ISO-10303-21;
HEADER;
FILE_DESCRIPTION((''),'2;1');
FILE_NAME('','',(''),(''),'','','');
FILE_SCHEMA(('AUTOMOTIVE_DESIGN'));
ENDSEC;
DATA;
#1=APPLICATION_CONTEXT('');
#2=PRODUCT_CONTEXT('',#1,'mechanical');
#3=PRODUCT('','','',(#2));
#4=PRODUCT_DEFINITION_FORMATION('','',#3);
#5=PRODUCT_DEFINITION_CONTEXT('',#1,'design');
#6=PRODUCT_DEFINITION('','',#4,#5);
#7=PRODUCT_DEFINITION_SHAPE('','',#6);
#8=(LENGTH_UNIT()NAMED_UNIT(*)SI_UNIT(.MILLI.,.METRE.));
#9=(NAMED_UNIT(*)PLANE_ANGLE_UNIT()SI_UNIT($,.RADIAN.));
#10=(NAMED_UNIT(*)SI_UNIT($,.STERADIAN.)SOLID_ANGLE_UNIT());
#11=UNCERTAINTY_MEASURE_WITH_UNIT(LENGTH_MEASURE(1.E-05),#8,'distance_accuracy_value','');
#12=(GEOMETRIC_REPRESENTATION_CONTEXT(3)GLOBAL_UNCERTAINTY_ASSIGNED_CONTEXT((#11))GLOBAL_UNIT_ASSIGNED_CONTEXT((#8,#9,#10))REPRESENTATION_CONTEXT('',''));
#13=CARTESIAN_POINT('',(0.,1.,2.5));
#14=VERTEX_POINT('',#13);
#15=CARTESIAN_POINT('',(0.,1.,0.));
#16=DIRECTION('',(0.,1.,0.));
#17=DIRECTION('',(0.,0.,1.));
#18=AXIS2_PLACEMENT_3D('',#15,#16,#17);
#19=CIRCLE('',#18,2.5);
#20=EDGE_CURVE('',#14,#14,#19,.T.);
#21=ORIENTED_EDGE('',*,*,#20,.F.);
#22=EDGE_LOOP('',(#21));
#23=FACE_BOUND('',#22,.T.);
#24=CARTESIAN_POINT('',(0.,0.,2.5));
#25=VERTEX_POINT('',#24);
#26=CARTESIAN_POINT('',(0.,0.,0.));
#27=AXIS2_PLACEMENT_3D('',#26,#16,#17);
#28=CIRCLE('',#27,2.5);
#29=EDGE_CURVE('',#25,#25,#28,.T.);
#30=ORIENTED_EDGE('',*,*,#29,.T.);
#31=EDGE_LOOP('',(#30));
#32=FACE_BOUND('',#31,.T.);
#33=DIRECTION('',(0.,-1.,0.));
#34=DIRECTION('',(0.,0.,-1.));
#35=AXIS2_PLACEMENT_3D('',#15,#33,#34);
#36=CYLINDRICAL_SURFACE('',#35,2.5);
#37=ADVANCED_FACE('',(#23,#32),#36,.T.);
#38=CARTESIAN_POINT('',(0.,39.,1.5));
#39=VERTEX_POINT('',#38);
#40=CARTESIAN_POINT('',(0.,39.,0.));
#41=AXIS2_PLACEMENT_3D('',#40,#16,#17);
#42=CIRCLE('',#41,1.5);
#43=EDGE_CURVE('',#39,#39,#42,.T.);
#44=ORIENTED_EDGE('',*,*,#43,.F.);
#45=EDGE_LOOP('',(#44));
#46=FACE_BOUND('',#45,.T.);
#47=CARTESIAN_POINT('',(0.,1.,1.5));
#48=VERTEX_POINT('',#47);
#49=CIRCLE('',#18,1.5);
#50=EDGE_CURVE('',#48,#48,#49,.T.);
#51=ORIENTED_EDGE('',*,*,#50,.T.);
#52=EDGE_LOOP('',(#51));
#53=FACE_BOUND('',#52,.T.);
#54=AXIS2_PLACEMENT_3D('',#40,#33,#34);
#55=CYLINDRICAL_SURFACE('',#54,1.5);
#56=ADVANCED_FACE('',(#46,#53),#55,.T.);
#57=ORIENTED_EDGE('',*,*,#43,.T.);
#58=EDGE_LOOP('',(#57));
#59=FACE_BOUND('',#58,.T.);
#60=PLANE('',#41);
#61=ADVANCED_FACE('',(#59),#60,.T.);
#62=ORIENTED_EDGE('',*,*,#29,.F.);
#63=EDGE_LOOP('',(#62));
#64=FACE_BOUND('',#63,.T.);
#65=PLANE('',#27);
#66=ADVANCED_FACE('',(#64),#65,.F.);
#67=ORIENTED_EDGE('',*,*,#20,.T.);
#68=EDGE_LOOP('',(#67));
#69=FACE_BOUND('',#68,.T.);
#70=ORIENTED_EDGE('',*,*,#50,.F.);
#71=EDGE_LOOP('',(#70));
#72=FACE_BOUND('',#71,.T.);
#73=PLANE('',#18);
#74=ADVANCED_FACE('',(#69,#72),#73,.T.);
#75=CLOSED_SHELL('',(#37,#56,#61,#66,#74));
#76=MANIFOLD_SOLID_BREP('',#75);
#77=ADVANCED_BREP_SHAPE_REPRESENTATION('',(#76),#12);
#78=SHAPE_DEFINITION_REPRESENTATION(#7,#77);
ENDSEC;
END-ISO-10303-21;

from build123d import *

# Parameters (mm, degrees)
SKETCH1_R           = 2.5
BOSS_EXTRUDE1_DEPTH = 1
SKETCH2_R           = 1.5
BOSS_EXTRUDE2_DEPTH = 38


with BuildPart() as part:
    # Sketch1 → Boss-Extrude1 (new body)
    with BuildSketch(Plane(origin=(0, 0, 0), x_dir=(1, 0, 0), z_dir=(0, 1, 0))):
        Circle(SKETCH1_R)
    extrude(amount=BOSS_EXTRUDE1_DEPTH)

    # Sketch2 → Boss-Extrude2 (add)
    with BuildSketch(Plane(origin=(0, 1, 0), x_dir=(1, 0, 0), z_dir=(0, 1, 0))):
        Circle(SKETCH2_R)
    extrude(amount=BOSS_EXTRUDE2_DEPTH)


solid = part.part
